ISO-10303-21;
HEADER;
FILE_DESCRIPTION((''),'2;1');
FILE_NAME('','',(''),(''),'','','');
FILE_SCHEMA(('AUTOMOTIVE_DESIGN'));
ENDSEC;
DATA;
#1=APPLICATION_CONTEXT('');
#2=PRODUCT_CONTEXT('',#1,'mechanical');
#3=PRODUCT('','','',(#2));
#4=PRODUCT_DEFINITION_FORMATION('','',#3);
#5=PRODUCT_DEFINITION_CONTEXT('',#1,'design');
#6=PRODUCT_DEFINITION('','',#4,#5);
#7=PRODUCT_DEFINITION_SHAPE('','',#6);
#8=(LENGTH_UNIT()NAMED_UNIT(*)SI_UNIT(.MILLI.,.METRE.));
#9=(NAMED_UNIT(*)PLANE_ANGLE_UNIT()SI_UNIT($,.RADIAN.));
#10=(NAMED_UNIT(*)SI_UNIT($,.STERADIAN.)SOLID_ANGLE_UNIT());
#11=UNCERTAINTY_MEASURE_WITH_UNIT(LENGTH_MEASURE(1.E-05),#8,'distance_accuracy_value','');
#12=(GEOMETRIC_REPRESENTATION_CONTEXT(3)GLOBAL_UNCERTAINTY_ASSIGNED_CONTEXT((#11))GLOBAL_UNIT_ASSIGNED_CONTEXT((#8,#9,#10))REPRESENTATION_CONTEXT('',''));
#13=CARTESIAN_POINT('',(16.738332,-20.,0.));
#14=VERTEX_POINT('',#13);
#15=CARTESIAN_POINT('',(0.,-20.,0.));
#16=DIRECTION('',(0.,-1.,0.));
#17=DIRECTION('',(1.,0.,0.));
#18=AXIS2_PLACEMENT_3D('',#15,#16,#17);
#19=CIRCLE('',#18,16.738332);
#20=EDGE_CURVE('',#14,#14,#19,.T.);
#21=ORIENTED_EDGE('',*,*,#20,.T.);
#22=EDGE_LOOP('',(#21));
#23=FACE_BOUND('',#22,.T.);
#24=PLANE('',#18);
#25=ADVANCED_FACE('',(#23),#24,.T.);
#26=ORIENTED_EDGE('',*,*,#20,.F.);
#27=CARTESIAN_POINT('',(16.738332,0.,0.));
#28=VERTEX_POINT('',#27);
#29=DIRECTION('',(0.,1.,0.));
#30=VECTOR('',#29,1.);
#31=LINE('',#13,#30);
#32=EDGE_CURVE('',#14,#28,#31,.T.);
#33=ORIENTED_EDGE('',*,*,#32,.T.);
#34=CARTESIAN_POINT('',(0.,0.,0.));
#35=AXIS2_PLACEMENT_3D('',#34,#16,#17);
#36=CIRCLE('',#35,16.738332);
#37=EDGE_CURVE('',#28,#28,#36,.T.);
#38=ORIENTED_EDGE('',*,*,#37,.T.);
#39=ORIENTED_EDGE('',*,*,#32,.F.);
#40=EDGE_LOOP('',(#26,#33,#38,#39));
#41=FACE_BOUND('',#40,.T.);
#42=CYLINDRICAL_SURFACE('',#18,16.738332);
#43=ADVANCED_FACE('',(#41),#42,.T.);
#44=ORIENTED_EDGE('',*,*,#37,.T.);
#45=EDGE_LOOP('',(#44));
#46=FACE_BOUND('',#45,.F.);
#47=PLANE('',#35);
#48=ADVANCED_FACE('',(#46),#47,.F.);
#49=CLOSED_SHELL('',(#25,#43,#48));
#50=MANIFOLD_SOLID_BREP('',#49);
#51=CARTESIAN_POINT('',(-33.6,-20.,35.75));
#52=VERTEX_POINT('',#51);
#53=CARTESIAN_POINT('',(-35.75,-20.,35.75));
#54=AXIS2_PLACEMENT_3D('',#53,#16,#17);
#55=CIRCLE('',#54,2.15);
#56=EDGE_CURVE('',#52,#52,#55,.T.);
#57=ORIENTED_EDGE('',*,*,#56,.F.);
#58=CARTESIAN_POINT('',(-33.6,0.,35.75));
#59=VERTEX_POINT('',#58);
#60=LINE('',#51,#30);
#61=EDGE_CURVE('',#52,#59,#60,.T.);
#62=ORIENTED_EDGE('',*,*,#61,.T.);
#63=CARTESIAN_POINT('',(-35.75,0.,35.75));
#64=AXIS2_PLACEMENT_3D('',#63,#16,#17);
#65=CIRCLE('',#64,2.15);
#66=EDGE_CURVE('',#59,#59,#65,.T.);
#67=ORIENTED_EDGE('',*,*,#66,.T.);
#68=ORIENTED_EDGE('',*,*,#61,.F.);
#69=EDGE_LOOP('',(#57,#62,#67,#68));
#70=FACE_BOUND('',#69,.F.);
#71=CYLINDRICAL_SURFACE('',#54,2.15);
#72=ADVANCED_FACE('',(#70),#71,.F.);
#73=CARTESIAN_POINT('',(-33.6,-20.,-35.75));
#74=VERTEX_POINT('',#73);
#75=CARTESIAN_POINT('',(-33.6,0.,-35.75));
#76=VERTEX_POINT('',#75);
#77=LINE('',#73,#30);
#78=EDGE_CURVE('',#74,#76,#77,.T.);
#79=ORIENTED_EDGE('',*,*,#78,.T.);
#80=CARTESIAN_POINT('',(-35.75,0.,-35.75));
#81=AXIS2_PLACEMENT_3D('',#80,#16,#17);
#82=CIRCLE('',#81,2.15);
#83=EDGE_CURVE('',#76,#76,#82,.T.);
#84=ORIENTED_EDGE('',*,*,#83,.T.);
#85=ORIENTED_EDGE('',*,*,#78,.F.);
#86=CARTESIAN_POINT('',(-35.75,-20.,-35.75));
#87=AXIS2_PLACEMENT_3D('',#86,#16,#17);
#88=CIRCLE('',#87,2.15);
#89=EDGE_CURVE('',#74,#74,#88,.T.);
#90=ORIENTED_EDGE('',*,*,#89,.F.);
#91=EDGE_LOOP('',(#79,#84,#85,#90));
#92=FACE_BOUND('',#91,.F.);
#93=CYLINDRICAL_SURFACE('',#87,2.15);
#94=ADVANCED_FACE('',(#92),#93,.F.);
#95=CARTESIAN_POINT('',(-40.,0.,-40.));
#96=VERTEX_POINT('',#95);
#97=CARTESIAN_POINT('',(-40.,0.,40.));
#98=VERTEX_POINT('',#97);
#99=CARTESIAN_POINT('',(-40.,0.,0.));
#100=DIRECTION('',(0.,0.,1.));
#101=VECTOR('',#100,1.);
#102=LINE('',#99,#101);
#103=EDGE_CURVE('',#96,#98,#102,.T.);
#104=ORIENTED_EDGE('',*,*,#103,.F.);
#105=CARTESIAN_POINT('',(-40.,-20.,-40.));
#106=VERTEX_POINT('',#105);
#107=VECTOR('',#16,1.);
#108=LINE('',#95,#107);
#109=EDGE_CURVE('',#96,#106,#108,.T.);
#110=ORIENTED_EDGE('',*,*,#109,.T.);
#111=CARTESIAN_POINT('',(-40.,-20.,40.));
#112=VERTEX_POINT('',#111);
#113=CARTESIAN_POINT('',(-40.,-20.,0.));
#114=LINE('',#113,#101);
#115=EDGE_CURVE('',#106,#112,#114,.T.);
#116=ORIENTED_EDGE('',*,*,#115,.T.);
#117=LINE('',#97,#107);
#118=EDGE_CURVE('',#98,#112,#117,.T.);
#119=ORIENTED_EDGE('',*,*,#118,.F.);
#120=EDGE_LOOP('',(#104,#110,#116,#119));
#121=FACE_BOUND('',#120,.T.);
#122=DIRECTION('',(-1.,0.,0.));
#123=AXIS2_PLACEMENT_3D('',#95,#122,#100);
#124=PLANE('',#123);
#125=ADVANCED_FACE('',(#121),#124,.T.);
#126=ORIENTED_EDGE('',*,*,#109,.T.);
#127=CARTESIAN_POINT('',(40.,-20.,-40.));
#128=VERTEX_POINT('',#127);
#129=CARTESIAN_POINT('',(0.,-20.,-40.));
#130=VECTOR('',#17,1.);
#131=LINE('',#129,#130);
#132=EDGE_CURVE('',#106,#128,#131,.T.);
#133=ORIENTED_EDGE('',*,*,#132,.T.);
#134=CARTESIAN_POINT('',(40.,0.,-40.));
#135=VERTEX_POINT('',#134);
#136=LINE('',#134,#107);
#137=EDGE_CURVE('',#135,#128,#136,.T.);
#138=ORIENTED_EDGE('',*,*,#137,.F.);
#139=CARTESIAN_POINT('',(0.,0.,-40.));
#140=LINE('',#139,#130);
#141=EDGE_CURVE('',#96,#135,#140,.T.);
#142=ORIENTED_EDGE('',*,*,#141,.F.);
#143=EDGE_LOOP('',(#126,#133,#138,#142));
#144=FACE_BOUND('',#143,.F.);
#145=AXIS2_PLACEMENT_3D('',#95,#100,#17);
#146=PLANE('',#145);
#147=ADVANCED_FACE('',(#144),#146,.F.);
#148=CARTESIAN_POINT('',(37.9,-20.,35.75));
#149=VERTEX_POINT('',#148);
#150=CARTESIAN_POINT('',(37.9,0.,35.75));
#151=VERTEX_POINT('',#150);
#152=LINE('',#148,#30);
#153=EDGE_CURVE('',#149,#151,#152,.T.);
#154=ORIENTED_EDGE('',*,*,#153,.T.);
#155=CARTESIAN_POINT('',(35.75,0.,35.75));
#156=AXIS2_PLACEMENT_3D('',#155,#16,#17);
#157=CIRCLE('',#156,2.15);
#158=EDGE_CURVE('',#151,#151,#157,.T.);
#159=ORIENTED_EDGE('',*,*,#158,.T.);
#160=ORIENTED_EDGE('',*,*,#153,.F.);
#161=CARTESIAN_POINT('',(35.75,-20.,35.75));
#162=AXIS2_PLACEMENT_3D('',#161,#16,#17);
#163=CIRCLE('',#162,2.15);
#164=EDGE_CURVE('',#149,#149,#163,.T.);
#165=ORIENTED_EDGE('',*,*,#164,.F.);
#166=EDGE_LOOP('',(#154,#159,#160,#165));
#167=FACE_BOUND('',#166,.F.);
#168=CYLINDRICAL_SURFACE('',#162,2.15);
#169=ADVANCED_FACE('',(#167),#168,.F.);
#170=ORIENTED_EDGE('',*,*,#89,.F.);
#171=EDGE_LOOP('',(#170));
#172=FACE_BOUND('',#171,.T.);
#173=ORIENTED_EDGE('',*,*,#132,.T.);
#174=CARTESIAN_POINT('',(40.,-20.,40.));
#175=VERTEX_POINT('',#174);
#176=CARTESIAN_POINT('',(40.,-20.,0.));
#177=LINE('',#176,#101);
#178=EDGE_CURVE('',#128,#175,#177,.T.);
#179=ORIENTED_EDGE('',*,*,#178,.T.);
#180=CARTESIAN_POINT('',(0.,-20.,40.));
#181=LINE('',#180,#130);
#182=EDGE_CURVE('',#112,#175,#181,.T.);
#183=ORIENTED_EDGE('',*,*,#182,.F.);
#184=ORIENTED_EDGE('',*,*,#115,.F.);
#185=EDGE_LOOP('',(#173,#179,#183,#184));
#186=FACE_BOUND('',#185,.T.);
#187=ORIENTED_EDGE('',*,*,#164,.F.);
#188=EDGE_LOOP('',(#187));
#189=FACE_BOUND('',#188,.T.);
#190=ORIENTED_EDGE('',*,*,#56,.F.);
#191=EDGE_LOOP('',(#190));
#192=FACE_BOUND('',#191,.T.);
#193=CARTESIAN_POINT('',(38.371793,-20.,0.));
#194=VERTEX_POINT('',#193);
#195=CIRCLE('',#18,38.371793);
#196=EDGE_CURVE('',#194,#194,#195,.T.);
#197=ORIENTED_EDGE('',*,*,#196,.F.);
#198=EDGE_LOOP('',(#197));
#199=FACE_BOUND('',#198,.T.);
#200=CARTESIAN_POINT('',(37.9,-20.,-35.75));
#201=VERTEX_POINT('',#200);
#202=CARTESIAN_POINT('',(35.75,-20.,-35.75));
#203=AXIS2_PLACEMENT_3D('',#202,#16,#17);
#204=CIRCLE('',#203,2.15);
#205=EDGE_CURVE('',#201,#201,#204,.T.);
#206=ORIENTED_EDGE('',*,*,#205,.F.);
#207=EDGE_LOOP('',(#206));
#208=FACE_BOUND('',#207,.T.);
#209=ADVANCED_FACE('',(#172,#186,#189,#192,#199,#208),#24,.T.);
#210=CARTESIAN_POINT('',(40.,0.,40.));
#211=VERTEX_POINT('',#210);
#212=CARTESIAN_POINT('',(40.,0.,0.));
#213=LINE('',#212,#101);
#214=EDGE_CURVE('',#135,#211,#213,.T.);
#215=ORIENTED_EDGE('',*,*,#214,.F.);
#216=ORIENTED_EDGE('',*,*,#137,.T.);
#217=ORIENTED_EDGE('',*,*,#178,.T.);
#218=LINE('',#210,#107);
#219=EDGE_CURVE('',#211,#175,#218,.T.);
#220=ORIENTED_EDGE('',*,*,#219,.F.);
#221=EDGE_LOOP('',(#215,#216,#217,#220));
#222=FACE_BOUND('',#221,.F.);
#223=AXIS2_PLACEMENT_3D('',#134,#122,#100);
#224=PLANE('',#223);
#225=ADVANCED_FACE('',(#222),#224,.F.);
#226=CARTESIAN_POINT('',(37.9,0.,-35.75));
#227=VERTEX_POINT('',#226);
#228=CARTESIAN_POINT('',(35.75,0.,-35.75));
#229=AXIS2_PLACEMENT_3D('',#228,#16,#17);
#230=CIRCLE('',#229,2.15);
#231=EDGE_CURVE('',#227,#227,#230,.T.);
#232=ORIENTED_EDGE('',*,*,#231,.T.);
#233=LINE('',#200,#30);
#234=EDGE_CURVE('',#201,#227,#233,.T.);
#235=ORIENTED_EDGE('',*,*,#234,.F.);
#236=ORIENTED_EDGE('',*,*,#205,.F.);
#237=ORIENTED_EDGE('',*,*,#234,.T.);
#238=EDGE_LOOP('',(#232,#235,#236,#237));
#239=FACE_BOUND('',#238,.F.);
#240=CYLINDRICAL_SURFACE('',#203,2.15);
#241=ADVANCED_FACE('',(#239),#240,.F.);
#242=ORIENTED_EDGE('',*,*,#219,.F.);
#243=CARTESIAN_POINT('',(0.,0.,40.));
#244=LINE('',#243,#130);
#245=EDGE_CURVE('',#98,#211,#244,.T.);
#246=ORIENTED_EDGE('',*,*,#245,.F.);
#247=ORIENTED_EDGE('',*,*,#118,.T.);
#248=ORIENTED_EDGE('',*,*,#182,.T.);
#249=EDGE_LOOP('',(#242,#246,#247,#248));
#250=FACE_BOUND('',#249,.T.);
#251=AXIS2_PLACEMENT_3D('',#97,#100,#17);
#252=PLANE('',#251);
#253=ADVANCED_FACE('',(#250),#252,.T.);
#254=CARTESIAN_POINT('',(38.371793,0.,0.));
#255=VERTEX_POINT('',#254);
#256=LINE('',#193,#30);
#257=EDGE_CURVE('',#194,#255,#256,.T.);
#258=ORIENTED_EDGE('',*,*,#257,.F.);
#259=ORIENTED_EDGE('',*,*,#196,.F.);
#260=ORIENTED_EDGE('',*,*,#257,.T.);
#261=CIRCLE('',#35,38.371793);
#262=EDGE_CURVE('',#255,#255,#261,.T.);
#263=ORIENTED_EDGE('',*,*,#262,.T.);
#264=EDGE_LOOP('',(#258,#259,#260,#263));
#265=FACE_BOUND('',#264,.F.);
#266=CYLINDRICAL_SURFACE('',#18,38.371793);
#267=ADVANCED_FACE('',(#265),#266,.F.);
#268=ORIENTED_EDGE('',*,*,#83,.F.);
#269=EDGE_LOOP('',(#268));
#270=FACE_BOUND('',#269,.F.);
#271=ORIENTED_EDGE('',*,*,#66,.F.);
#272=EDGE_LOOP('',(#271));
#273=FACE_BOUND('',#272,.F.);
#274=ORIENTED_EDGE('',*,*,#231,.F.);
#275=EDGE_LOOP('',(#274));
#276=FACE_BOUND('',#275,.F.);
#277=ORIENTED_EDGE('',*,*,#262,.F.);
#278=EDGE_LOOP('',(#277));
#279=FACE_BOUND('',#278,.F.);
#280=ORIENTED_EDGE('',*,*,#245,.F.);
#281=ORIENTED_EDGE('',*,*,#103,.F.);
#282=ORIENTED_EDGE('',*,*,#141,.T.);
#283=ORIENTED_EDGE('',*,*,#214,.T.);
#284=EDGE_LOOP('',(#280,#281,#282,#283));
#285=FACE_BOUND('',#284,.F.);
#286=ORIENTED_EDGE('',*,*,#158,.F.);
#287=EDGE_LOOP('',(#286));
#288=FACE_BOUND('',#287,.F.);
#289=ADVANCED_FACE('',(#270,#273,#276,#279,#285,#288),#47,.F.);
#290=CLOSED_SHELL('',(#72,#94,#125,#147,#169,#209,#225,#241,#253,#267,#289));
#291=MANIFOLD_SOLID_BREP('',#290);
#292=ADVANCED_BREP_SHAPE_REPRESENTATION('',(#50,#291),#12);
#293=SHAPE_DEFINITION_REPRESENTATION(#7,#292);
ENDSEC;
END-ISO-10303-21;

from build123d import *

# Parameters (mm, degrees)
F0_W     = 80
F0_H     = 80
F1_DEPTH = 20
F2_R     = 2.15
F3_DEPTH = 25
F4_R     = 38.371793
F4_R_2   = 16.738332
F5_DEPTH = 25


with BuildPart() as f1:
    # F0 (on Front) → F1 (new body)
    with BuildSketch(Plane.XZ):
        Rectangle(F0_W, F0_H)
    extrude(amount=F1_DEPTH)

    # F2 (on face) → F3 (cut)
    with BuildSketch(Plane.XZ.offset(20)):
        with Locations((-35.75, 35.75)):
            Circle(F2_R)
        with Locations((-35.75, -35.75)):
            Circle(F2_R)
        with Locations((35.75, 35.75)):
            Circle(F2_R)
        with Locations((35.75, -35.75)):
            Circle(F2_R)
    extrude(amount=-F3_DEPTH, mode=Mode.SUBTRACT)

    # F4 (on face) → F5 (cut)
    with BuildSketch(Plane.XZ.offset(20)):
        Circle(F4_R)
        Circle(F4_R_2, mode=Mode.SUBTRACT)
    extrude(amount=-F5_DEPTH, mode=Mode.SUBTRACT)


solid = f1.part
